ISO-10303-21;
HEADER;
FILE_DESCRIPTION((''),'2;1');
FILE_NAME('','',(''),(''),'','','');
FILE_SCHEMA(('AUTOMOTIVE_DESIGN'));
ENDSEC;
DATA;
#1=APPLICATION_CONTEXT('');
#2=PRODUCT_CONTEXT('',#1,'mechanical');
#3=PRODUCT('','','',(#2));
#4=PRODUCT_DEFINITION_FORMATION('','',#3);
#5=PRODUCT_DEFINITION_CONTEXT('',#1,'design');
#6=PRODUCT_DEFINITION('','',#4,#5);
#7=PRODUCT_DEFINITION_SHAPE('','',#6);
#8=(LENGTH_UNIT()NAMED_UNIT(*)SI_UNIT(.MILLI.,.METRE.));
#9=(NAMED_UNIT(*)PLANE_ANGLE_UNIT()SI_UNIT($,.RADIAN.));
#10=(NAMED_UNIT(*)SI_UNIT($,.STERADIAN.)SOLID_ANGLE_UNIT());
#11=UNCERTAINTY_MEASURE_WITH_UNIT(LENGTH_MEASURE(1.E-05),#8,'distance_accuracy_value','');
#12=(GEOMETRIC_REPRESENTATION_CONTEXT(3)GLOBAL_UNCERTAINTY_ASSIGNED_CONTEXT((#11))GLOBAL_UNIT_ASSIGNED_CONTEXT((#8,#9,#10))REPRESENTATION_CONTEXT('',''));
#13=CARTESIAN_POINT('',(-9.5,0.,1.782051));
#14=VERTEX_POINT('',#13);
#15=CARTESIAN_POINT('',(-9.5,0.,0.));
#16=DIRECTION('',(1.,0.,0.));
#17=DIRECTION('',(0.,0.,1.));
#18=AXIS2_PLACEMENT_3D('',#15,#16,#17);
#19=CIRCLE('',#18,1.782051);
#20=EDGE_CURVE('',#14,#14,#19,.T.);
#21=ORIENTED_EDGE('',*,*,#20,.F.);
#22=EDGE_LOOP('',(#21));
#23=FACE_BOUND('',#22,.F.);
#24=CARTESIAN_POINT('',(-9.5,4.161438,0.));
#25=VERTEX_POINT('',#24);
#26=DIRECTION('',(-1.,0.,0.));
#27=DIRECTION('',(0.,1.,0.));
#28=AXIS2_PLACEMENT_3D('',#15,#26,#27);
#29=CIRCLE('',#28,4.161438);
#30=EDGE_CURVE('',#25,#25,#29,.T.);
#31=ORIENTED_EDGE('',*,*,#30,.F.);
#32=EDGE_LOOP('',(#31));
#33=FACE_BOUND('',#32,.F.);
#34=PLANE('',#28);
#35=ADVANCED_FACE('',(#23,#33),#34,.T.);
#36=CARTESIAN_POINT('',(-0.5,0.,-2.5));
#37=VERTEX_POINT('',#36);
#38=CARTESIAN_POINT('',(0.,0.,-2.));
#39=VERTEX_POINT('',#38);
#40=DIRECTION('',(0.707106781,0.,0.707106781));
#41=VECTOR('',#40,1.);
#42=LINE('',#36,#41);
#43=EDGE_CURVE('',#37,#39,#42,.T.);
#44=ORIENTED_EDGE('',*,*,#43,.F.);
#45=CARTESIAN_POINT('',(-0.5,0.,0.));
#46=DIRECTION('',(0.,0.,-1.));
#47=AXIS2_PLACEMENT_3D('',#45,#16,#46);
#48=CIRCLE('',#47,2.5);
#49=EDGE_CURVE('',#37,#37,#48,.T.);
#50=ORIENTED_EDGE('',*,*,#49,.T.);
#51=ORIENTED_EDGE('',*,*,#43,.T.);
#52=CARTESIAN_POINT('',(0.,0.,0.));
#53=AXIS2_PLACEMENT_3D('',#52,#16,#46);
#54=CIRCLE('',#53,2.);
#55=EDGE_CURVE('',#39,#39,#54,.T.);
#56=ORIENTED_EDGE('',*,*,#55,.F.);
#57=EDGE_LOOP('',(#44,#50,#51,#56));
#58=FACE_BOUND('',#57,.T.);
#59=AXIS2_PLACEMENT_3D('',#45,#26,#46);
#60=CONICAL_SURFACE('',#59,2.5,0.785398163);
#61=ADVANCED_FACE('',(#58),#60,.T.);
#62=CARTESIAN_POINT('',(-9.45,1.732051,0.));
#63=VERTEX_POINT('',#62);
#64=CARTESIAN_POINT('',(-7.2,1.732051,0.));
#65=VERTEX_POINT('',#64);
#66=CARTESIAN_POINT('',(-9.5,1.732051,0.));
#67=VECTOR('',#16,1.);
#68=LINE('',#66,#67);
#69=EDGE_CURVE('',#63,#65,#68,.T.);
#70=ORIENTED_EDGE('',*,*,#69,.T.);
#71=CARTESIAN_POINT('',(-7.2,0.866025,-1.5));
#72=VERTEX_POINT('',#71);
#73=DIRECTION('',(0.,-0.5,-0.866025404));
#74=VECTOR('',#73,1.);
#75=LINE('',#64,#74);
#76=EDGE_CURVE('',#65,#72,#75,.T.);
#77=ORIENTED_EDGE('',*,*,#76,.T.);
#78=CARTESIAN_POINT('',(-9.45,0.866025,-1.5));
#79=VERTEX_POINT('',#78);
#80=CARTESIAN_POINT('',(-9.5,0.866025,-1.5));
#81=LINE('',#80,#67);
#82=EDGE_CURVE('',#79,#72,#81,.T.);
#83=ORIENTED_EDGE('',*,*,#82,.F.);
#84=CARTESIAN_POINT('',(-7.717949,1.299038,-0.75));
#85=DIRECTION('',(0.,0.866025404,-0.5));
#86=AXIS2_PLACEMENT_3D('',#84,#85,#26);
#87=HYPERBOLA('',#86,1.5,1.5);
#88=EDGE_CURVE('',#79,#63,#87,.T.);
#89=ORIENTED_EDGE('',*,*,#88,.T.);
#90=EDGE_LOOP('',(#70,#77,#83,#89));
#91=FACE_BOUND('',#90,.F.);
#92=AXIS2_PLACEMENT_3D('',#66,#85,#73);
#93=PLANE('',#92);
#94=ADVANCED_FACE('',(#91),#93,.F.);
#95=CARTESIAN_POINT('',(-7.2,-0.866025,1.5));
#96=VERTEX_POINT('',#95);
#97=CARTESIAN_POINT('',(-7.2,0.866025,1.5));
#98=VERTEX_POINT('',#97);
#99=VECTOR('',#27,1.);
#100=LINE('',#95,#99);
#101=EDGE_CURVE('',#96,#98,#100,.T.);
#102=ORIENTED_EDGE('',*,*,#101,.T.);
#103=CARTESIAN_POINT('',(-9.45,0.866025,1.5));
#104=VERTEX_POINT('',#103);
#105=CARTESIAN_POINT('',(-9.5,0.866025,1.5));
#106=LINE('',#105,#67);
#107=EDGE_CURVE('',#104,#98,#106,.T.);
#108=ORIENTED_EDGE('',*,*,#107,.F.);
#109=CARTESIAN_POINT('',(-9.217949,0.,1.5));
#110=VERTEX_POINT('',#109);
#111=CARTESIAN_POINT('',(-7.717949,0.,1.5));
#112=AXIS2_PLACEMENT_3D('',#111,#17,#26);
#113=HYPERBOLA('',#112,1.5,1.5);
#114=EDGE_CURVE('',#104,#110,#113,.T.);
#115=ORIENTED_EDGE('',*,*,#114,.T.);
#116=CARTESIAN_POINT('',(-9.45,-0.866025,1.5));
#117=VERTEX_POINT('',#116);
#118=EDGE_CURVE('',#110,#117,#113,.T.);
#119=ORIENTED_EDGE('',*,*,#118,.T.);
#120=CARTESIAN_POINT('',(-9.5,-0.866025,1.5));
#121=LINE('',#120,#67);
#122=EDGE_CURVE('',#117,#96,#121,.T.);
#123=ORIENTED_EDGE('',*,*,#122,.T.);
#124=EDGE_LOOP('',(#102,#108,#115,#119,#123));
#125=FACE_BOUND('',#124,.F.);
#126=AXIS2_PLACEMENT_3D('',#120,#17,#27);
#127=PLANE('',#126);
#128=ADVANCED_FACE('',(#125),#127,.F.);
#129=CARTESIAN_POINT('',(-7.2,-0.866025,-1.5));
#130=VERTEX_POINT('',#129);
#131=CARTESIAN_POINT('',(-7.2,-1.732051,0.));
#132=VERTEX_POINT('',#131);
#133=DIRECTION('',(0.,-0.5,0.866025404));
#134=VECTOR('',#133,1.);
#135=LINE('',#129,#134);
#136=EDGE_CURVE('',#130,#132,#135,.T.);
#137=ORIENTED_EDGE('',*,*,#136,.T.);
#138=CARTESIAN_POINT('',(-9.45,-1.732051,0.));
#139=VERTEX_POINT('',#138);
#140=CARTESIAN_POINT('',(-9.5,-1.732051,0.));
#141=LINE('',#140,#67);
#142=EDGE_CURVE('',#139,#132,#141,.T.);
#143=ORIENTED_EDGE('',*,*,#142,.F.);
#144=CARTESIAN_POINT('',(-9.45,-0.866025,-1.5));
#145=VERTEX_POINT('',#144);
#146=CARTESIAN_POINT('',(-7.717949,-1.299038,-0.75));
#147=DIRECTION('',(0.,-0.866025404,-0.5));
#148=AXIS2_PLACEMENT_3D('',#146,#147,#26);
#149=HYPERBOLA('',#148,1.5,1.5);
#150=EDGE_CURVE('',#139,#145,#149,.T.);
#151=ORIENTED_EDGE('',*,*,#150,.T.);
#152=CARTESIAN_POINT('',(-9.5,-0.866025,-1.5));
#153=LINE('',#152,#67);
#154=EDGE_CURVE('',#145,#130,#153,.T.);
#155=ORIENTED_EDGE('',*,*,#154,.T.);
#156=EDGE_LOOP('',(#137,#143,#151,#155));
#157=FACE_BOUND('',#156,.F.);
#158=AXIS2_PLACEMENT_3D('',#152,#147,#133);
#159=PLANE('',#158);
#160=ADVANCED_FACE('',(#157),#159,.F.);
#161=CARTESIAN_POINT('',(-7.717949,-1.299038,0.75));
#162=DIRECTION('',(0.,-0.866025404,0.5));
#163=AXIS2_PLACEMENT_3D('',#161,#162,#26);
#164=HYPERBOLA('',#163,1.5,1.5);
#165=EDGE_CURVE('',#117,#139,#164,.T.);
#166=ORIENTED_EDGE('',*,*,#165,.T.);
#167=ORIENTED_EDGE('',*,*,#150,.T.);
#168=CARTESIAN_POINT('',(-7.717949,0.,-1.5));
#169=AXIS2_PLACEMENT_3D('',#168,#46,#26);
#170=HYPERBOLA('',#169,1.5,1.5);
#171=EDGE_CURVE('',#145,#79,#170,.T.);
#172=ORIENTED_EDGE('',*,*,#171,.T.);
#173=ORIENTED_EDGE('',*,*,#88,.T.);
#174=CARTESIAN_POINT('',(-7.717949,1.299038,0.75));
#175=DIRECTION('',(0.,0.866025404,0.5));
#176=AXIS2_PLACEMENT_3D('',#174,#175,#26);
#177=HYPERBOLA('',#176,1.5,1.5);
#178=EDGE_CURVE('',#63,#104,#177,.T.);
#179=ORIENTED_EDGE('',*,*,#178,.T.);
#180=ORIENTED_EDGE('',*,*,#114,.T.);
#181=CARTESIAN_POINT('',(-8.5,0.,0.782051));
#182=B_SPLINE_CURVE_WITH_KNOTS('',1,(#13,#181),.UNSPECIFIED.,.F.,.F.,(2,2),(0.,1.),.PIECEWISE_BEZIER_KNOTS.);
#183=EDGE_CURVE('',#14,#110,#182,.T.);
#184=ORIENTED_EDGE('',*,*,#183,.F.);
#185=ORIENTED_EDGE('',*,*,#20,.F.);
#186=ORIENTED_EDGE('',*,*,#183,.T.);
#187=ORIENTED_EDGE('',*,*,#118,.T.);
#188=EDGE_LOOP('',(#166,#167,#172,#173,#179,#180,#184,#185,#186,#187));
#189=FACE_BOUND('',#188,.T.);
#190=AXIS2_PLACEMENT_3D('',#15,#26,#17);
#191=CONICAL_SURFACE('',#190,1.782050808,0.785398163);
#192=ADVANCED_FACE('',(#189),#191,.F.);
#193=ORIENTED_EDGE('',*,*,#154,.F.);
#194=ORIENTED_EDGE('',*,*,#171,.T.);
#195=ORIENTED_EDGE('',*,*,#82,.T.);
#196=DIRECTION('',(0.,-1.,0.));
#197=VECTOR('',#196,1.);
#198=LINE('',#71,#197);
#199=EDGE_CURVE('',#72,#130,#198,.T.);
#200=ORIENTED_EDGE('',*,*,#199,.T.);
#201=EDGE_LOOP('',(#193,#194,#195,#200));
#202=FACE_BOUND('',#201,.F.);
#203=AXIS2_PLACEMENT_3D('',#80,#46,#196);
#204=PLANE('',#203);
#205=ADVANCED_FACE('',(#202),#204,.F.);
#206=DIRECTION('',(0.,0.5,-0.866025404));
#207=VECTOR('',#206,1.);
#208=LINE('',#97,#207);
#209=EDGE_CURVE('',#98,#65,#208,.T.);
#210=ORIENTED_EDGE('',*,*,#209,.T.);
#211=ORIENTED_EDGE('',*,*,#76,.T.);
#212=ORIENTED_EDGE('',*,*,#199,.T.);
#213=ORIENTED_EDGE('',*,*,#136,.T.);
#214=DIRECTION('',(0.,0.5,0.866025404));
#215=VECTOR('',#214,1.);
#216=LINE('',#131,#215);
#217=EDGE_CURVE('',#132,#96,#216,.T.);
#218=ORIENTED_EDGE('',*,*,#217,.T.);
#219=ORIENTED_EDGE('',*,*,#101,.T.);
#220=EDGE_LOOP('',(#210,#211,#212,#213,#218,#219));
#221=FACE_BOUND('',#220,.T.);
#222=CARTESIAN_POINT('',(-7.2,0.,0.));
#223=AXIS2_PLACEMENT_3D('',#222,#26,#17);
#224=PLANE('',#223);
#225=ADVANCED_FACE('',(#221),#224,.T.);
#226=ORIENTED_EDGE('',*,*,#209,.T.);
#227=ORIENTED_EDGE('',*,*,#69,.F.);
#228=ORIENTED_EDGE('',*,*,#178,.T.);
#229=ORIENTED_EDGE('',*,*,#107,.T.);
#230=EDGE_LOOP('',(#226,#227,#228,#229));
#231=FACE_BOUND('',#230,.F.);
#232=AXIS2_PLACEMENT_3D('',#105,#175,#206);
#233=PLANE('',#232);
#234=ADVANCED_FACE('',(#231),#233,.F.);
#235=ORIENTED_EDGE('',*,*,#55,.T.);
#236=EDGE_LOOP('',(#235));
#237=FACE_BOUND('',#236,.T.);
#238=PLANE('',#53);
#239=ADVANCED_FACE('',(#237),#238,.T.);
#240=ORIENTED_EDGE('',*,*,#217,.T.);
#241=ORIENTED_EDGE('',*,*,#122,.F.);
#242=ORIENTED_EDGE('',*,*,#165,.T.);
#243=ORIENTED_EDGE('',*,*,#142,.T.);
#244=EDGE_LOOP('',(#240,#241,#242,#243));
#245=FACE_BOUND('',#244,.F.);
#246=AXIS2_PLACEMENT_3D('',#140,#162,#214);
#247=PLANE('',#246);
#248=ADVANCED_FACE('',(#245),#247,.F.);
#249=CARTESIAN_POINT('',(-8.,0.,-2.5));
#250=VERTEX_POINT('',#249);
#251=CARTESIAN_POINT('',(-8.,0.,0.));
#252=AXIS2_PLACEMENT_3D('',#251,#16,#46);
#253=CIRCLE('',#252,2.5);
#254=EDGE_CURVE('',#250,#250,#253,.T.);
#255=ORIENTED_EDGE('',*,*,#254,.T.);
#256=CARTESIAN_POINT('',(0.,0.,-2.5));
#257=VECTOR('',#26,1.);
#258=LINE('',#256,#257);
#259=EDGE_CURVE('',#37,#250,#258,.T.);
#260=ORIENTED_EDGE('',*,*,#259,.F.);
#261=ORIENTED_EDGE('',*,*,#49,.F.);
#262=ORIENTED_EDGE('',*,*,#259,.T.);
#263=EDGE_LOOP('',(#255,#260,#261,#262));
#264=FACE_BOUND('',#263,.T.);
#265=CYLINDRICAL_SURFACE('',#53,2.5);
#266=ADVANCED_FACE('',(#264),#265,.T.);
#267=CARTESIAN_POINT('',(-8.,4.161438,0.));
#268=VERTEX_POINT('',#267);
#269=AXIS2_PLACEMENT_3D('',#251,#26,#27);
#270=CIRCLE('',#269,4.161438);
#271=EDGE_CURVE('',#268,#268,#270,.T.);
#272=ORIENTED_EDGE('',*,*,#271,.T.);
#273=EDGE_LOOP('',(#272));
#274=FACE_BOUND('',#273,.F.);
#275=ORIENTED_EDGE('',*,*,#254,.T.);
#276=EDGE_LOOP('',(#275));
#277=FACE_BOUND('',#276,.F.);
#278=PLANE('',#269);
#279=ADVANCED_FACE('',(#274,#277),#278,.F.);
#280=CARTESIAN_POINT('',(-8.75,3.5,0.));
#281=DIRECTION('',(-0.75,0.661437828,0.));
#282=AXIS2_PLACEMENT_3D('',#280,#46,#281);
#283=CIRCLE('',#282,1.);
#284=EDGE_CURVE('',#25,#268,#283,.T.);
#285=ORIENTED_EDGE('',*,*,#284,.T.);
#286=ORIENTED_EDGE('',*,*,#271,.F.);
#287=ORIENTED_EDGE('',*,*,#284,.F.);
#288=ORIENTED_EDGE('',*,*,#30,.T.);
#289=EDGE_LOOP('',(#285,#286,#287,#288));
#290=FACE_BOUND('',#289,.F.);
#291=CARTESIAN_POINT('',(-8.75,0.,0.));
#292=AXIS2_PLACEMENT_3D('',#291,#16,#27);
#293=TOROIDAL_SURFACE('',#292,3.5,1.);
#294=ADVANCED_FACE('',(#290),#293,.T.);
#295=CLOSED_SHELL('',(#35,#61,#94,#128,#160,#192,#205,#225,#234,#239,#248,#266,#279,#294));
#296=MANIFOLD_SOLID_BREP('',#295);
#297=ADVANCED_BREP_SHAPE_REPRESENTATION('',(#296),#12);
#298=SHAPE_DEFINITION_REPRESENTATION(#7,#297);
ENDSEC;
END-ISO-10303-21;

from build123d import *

# Parameters (mm, degrees)
SKETCH2_R           = 2.5
BOSS_EXTRUDE1_DEPTH = 8
CHAMFER1_SIZE       = 0.5
CUT_EXTRUDE1_DEPTH  = 2.3
SKETCH8_R           = 1.782050808
CUT_EXTRUDE2_DEPTH  = 1
CUT_EXTRUDE2_TAPER  = 45


with BuildPart() as part:
    # Sketch2 → Boss-Extrude1 (new body)
    with BuildSketch(Plane(origin=(0, 0, 0), x_dir=(0, 0, -1), z_dir=(1, 0, 0))):
        Circle(SKETCH2_R)
    extrude(amount=-BOSS_EXTRUDE1_DEPTH)

    # Chamfer1
    chamfer1_edges = [part.edges().sort_by_distance(p)[0] for p in [
        (0, 0, 2.5),
    ]]
    chamfer(chamfer1_edges, length=CHAMFER1_SIZE)

    # Sketch6 → Revolve1 (revolve)
    with BuildSketch(Plane.XY):
        with BuildLine():
            Line((-9.5, 0), (-9.5, 4.161437828))
            ThreePointArc((-9.5, 4.161437828), (-8.75, 4.5), (-8, 4.161437828))
            Line((-8, 4.161437828), (-8, 0))
            Line((-8, 0), (-9.5, 0))
        make_face()
    revolve(axis=Axis((-8, 0, 0), (-1, 0, 0)))

    # Sketch7 → Cut-Extrude1 (cut)
    with BuildSketch(Plane.ZY.offset(9.5)):
        Polygon((0, 1.732050808), (-1.5, 0.866025404), (-1.5, -0.866025404), (0, -1.732050808), (1.5, -0.866025404), (1.5, 0.866025404), align=None)
    extrude(amount=-CUT_EXTRUDE1_DEPTH, mode=Mode.SUBTRACT)

    # Sketch8 → Cut-Extrude2 (cut)
    with BuildSketch(Plane.ZY.offset(9.5)):
        Circle(SKETCH8_R)
    extrude(amount=-CUT_EXTRUDE2_DEPTH, taper=CUT_EXTRUDE2_TAPER, mode=Mode.SUBTRACT)


solid = part.part
